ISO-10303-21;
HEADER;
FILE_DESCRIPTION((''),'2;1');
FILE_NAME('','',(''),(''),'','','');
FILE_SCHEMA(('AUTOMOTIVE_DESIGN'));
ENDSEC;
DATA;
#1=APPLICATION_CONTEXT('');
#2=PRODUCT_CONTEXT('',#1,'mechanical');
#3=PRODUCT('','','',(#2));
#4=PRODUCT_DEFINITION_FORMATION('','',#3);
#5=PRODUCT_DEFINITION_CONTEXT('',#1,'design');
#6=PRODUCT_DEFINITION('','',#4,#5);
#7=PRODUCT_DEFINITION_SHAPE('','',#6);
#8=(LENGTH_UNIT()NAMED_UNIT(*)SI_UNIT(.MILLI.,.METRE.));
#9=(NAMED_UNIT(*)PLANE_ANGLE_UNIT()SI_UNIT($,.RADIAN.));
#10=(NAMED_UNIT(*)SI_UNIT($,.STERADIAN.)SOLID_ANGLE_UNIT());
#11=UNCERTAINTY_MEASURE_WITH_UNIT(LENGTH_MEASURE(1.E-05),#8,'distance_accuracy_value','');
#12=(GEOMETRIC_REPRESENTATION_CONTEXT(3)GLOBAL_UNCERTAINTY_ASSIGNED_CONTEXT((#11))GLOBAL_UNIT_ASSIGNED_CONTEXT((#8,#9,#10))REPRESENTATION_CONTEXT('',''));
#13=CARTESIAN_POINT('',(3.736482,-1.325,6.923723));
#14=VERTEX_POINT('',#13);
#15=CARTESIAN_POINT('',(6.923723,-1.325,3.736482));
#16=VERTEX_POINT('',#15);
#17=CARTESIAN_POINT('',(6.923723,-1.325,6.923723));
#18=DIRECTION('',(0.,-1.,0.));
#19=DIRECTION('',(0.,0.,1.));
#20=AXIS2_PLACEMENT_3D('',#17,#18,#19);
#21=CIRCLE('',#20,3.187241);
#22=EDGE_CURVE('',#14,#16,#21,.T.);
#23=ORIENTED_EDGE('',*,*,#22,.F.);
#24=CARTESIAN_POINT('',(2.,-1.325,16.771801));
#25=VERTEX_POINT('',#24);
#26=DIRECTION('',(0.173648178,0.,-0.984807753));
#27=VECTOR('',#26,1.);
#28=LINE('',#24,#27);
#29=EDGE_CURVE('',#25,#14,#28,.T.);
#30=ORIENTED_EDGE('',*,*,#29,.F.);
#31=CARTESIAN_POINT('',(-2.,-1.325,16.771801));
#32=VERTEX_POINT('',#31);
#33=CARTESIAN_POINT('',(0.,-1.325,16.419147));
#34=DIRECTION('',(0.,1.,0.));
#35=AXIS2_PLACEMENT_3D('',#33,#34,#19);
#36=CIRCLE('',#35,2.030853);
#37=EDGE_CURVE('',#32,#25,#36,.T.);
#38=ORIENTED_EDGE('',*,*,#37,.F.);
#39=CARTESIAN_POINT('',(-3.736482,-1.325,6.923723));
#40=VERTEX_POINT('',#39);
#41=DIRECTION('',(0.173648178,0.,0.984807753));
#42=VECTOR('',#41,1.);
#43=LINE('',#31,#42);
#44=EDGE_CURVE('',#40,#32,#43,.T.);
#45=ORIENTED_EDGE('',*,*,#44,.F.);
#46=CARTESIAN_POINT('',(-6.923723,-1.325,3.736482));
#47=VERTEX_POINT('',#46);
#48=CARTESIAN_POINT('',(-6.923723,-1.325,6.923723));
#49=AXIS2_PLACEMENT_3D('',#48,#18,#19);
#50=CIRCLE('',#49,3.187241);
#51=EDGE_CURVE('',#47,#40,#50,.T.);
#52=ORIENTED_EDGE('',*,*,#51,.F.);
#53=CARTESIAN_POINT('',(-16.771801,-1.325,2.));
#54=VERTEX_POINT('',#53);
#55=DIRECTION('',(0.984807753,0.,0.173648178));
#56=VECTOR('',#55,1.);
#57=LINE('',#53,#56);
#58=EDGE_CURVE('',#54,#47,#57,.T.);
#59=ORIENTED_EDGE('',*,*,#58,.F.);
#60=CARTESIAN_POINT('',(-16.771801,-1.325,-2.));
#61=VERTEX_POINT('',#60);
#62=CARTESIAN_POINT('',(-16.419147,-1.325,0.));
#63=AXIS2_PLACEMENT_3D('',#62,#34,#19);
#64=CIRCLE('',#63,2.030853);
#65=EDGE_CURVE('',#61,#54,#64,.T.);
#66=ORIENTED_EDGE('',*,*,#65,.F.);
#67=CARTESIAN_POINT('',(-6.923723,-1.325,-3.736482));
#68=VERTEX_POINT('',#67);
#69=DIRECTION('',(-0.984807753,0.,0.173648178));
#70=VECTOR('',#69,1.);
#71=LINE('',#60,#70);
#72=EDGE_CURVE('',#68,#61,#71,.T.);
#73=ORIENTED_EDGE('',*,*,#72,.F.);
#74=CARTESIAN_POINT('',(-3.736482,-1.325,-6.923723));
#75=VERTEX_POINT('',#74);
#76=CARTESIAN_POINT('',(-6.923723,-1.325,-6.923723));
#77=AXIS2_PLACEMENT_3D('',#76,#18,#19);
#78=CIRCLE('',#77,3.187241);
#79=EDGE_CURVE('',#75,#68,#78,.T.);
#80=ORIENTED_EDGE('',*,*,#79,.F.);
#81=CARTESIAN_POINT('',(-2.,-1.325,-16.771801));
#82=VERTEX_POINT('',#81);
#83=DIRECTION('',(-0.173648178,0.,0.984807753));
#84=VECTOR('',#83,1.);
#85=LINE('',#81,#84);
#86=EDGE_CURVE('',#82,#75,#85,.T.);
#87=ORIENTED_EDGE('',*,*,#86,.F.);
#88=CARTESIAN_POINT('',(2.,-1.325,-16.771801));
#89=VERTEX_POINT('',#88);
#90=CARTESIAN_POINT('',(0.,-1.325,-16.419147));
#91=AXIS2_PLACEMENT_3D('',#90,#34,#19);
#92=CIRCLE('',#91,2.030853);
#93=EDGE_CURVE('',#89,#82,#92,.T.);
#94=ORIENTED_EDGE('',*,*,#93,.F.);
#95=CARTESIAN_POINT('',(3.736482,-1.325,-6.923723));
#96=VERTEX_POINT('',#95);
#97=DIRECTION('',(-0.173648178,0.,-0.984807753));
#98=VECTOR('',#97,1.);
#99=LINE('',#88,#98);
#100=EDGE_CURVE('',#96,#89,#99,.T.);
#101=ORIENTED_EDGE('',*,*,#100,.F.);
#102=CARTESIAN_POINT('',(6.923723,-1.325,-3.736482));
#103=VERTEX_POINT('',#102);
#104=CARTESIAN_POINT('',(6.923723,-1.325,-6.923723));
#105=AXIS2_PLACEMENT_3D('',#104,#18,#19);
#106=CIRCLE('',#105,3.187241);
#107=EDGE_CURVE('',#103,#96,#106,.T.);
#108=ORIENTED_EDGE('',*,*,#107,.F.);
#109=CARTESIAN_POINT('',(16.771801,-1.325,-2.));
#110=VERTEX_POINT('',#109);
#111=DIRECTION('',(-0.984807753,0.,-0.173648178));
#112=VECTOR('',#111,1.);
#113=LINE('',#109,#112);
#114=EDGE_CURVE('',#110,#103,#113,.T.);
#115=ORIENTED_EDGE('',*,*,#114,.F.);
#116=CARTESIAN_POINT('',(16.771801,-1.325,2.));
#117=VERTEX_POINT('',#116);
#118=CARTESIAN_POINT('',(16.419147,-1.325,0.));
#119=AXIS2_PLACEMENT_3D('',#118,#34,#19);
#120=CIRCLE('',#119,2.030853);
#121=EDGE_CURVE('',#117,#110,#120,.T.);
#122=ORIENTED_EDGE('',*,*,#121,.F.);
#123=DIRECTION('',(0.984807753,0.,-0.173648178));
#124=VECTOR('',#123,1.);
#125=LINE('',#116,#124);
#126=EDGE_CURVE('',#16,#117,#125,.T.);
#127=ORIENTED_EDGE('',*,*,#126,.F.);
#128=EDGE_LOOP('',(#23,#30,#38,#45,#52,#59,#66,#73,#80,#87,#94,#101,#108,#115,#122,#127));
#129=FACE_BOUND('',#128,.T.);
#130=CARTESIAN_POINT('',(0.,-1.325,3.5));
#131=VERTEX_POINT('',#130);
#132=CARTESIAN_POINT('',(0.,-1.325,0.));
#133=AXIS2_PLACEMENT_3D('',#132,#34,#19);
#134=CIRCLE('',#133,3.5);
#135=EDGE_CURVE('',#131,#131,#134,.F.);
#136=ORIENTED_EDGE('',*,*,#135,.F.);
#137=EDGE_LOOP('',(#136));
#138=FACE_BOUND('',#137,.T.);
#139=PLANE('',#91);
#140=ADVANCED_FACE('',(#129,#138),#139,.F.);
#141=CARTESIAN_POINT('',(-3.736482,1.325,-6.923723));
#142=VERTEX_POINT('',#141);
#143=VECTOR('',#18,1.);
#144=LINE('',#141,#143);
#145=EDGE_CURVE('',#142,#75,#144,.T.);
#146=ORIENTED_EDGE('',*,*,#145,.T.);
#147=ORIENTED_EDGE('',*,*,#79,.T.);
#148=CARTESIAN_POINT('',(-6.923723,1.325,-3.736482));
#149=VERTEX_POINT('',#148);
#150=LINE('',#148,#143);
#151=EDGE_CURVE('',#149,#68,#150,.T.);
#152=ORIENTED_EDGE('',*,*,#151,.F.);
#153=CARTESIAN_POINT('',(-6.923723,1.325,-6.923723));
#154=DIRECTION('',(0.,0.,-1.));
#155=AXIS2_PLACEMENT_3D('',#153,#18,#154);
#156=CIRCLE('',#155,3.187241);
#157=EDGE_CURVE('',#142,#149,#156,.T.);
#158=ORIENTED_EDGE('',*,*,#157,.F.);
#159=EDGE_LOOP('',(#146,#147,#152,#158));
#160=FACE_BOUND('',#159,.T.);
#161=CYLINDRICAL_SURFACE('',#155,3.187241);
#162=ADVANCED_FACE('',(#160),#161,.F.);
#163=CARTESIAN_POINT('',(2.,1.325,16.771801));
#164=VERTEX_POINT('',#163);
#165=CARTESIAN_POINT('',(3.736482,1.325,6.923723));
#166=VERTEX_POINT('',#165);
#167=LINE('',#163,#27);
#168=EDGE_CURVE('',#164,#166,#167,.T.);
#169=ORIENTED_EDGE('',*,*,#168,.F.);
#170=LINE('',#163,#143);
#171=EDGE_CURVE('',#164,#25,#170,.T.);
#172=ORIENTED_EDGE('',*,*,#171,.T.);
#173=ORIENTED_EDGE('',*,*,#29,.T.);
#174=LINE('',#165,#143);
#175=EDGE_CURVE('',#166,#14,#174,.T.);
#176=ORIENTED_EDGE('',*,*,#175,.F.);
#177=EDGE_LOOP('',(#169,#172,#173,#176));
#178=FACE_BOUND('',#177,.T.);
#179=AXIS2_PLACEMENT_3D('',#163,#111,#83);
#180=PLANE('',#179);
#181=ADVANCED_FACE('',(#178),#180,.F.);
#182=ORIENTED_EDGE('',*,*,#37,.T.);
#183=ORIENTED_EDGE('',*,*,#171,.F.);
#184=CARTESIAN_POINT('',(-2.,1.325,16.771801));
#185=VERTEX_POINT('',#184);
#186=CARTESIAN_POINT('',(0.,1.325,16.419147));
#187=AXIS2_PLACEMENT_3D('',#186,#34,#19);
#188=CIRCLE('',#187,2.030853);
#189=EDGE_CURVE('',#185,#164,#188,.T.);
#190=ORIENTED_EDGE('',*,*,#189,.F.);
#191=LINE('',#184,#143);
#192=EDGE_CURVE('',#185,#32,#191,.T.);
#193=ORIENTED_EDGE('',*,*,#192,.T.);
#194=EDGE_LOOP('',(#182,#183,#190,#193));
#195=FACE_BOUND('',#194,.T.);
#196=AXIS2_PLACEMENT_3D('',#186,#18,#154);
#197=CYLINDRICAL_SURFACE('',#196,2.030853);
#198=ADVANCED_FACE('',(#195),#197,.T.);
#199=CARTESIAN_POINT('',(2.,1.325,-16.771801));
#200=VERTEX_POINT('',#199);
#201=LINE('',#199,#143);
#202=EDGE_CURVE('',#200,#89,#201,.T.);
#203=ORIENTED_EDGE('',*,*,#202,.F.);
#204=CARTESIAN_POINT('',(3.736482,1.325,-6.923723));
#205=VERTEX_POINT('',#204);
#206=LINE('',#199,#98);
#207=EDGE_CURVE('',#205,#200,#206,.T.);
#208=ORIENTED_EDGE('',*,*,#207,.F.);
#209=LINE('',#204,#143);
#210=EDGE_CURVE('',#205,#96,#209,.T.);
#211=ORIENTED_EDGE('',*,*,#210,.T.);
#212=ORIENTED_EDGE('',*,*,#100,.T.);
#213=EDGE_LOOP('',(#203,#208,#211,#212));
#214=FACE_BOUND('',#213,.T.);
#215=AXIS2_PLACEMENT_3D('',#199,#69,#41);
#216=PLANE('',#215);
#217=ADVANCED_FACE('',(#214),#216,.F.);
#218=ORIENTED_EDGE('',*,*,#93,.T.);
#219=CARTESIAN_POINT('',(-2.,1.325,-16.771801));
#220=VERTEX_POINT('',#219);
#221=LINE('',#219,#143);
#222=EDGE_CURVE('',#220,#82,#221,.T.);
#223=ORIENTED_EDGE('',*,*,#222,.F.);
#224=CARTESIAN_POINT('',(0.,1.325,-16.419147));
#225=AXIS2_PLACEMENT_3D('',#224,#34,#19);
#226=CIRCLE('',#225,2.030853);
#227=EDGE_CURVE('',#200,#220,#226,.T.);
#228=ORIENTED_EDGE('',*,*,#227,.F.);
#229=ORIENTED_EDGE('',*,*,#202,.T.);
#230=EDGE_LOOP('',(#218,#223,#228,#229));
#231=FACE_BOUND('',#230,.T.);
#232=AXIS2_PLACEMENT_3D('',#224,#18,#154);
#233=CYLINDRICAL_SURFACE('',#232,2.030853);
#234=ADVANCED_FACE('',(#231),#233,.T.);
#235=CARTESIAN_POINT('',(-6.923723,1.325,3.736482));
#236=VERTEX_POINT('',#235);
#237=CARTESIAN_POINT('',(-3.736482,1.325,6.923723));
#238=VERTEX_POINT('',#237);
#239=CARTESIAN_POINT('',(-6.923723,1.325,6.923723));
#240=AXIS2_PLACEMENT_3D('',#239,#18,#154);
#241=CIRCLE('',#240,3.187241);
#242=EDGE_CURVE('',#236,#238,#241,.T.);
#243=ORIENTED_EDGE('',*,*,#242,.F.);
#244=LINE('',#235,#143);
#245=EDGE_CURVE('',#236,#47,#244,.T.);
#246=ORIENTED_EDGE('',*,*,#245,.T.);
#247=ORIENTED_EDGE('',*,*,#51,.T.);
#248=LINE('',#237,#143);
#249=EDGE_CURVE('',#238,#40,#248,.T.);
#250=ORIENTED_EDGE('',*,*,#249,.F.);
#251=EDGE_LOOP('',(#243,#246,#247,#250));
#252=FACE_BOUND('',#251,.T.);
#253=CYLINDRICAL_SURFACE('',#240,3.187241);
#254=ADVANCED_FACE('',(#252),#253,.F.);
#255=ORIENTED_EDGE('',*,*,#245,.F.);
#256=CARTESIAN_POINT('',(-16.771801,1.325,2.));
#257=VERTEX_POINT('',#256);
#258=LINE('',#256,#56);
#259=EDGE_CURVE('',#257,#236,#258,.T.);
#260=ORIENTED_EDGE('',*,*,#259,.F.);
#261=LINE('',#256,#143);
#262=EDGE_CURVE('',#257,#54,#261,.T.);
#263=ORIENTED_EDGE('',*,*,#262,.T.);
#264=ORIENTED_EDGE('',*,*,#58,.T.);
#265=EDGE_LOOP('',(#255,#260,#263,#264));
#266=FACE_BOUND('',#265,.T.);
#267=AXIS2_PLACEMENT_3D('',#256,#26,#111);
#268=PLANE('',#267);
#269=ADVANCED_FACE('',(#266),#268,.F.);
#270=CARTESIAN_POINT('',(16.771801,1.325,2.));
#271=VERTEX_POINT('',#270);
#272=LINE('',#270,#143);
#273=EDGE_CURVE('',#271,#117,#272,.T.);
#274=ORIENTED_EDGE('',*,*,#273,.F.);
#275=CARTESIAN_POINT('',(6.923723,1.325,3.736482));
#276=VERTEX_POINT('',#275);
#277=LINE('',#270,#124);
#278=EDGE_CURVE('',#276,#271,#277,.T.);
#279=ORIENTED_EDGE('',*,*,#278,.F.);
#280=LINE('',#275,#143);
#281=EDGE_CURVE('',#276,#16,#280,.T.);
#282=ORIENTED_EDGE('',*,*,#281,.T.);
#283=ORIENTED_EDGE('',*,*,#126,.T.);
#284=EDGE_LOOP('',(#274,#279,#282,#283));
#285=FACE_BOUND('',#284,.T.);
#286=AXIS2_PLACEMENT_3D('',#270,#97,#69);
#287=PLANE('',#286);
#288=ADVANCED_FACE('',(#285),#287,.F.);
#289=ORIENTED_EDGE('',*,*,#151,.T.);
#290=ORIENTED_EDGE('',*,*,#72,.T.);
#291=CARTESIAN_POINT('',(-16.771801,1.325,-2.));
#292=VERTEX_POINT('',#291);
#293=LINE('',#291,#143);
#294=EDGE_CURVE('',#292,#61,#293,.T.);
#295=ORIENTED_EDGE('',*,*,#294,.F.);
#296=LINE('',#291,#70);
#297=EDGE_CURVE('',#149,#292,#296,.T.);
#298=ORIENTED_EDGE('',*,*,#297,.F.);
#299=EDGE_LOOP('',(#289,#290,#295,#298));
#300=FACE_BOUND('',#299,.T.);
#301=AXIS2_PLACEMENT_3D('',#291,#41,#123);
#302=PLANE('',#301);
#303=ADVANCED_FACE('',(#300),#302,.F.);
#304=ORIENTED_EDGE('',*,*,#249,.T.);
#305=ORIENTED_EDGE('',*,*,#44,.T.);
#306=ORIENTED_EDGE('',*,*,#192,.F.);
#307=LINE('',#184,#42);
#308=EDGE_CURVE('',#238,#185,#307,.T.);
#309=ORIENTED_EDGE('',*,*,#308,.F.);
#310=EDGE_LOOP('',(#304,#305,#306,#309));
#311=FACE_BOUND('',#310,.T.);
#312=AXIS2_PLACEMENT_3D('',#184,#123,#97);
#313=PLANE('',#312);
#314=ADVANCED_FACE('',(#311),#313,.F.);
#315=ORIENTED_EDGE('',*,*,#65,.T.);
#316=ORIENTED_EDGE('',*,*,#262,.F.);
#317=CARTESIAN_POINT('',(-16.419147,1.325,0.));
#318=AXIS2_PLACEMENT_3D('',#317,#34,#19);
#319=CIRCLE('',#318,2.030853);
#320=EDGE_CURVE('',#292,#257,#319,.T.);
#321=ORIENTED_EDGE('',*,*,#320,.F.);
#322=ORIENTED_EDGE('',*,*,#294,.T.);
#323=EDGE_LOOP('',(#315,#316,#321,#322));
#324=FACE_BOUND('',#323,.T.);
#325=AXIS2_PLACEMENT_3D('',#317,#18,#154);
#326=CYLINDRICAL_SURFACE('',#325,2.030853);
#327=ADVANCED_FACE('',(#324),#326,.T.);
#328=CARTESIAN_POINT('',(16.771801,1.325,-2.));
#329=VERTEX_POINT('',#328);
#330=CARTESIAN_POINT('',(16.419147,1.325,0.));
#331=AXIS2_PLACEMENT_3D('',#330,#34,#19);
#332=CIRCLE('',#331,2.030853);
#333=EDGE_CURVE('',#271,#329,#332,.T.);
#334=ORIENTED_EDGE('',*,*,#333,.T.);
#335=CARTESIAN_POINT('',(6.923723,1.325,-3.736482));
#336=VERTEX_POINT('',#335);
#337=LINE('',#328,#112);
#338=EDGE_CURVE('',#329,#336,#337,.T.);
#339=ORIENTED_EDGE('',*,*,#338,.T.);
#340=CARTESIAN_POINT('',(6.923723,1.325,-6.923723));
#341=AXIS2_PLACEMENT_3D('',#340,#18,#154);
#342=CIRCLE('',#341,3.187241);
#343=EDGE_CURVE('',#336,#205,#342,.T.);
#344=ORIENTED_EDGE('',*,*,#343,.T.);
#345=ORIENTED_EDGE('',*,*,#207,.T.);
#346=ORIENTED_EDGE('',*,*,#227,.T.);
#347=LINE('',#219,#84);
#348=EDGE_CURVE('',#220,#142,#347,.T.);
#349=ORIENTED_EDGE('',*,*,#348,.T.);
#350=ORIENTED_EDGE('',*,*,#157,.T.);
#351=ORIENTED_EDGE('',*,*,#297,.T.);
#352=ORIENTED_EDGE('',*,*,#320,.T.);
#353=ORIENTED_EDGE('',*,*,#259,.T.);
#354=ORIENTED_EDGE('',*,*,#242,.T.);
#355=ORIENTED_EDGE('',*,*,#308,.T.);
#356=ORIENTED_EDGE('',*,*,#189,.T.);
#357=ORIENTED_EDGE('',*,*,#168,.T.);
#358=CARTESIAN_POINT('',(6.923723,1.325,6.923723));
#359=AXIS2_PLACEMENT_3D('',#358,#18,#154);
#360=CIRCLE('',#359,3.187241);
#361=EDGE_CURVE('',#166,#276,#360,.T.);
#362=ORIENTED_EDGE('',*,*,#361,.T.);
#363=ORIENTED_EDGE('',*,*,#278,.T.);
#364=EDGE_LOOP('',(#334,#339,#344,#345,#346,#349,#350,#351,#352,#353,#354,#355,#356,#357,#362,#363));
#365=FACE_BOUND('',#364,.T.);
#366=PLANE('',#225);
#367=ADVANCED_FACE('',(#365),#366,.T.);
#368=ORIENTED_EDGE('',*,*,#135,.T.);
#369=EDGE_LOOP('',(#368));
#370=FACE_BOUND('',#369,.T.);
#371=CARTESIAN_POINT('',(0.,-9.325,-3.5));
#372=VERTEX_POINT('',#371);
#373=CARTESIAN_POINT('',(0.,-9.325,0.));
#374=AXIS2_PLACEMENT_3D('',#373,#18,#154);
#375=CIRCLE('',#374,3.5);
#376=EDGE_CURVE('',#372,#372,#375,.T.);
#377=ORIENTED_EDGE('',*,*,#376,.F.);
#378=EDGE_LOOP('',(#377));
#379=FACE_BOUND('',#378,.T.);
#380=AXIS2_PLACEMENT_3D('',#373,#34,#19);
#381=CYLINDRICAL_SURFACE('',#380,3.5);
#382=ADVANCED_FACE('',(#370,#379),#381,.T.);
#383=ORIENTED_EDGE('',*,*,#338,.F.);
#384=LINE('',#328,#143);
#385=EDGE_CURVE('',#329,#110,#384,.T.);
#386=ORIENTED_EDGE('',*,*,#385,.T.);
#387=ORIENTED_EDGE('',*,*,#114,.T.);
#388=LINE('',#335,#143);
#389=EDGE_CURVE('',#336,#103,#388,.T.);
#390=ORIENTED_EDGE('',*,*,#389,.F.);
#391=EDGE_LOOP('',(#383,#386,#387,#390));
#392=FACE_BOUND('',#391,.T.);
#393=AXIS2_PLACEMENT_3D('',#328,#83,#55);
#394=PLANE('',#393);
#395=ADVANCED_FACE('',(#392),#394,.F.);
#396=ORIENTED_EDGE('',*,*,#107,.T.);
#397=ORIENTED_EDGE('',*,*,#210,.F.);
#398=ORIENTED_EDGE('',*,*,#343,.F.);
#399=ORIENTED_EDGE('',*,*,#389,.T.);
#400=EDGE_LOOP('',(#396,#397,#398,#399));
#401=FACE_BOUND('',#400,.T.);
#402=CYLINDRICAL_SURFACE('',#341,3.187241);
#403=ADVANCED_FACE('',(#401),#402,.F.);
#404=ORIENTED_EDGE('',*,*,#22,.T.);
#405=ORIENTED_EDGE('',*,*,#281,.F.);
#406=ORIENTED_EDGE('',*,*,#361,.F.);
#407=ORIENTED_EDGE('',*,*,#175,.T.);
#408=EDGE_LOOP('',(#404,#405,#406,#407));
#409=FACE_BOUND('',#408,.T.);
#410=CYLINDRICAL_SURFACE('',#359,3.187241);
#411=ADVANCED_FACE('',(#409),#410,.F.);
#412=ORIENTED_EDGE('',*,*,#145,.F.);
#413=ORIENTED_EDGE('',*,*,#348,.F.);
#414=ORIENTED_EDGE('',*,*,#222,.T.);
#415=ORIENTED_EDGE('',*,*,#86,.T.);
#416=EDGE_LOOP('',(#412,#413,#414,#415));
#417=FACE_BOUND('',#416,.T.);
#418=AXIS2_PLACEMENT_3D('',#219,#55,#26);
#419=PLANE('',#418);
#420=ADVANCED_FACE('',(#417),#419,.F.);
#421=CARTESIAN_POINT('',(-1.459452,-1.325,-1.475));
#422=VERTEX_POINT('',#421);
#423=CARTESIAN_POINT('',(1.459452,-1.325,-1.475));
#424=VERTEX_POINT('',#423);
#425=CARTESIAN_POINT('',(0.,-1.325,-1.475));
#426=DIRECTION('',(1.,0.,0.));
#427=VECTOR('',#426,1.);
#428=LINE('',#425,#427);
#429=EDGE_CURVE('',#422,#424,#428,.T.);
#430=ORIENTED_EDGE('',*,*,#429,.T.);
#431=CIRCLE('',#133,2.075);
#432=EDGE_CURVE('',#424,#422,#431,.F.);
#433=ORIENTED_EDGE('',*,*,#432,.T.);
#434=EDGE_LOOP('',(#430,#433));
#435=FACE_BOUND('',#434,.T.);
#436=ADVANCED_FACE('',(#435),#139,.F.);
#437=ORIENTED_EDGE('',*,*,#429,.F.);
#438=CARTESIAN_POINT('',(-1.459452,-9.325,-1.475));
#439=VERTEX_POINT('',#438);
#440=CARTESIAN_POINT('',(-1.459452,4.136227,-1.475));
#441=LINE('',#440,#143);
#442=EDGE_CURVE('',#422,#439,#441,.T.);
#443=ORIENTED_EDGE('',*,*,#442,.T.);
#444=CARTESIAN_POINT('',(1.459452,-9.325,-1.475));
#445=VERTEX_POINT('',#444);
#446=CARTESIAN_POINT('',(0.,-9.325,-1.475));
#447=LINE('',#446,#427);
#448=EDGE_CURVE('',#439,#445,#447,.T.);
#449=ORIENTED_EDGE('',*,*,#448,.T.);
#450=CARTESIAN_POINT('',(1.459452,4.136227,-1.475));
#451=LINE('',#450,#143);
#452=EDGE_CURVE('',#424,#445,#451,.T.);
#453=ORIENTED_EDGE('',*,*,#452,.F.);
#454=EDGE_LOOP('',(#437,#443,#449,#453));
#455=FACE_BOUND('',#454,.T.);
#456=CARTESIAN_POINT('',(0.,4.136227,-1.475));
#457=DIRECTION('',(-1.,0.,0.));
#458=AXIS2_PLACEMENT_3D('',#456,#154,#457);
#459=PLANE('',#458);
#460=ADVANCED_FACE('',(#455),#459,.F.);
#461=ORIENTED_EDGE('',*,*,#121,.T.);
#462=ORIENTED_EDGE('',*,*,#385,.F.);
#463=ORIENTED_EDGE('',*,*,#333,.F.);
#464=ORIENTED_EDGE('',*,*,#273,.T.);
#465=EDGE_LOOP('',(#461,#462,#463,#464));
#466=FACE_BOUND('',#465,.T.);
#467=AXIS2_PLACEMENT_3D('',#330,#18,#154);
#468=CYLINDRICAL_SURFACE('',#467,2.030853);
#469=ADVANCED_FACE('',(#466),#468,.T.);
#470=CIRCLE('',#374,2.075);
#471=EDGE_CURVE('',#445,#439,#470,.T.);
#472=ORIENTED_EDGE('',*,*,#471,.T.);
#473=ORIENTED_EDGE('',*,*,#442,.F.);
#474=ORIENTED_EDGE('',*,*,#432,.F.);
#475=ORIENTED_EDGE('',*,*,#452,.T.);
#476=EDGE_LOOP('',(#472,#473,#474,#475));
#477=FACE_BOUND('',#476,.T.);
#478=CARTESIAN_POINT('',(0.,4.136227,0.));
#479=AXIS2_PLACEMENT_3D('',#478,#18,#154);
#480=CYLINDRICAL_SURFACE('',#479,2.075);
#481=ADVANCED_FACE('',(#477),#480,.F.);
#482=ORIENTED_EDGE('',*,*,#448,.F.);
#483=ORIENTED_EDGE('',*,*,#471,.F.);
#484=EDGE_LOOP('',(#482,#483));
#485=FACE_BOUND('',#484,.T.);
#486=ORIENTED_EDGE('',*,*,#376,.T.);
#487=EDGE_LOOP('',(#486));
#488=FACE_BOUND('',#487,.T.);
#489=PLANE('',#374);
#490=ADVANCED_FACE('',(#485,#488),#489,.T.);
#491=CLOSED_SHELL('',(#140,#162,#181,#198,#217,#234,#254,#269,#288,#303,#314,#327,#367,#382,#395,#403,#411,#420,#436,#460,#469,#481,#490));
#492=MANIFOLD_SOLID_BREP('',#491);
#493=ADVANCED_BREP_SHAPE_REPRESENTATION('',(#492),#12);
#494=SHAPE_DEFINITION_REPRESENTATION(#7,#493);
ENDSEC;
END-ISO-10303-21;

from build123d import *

# Parameters (mm, degrees)
BOSS_EXTRUDE1_DEPTH = 1.325
SKETCH5_R           = 3.5
BOSS_EXTRUDE4_DEPTH = 8
CUT_EXTRUDE1_DEPTH  = 8


with BuildPart() as part:
    # Sketch2 → Boss-Extrude1 (new, symmetric)
    with BuildSketch(Plane(origin=(0, 0, 0), x_dir=(1, 0, 0), z_dir=(0, 1, 0))):
        with BuildLine():
            Line((2, 16.771800738), (3.736481777, 6.923723208))
            ThreePointArc((3.736481777, 6.923723208), (3.979096084, 5.704018717), (4.670003178, 4.670003178))
            ThreePointArc((4.670003178, 4.670003178), (5.704018717, 3.979096084), (6.923723208, 3.736481777))
            Line((6.923723208, 3.736481777), (16.771800738, 2))
            ThreePointArc((16.771800738, 2), (18.45, 0), (16.771800738, -2))
            Line((16.771800738, -2), (6.923723208, -3.736481777))
            ThreePointArc((6.923723208, -3.736481777), (5.704018717, -3.979096084), (4.670003178, -4.670003178))
            ThreePointArc((4.670003178, -4.670003178), (3.979096084, -5.704018717), (3.736481777, -6.923723208))
            Line((3.736481777, -6.923723208), (2, -16.771800738))
            ThreePointArc((2, -16.771800738), (0, -18.45), (-2, -16.771800738))
            Line((-2, -16.771800738), (-3.736481777, -6.923723208))
            ThreePointArc((-3.736481777, -6.923723208), (-3.979096084, -5.704018717), (-4.670003178, -4.670003178))
            ThreePointArc((-4.670003178, -4.670003178), (-5.704018717, -3.979096084), (-6.923723208, -3.736481777))
            Line((-6.923723208, -3.736481777), (-16.771800738, -2))
            ThreePointArc((-16.771800738, -2), (-18.45, 0), (-16.771800738, 2))
            Line((-16.771800738, 2), (-6.923723208, 3.736481777))
            ThreePointArc((-6.923723208, 3.736481777), (-5.704018717, 3.979096084), (-4.670003178, 4.670003178))
            ThreePointArc((-4.670003178, 4.670003178), (-3.979096084, 5.704018717), (-3.736481777, 6.923723208))
            Line((-3.736481777, 6.923723208), (-2, 16.771800738))
            ThreePointArc((-2, 16.771800738), (0, 18.45), (2, 16.771800738))
        make_face()
    extrude(amount=BOSS_EXTRUDE1_DEPTH, both=True)

    # Sketch5 → Boss-Extrude4 (add)
    with BuildSketch(Plane.XZ.offset(1.325)):
        with Locations(Location((0, 0, 0), (0, 0, 90))):
            Circle(SKETCH5_R)
    extrude(amount=BOSS_EXTRUDE4_DEPTH)

    # Sketch6 → Cut-Extrude1 (cut)
    with BuildSketch(Plane.XZ.offset(9.325)):
        with BuildLine():
            ThreePointArc((2.075, 0), (-0.799143979, 1.91493966), (-1.459451952, -1.475))
            Line((-1.459451952, -1.475), (1.459451952, -1.475))
            ThreePointArc((1.459451952, -1.475), (1.91493966, -0.799143979), (2.075, 0))
        make_face()
    extrude(amount=-CUT_EXTRUDE1_DEPTH, mode=Mode.SUBTRACT)


solid = part.part
